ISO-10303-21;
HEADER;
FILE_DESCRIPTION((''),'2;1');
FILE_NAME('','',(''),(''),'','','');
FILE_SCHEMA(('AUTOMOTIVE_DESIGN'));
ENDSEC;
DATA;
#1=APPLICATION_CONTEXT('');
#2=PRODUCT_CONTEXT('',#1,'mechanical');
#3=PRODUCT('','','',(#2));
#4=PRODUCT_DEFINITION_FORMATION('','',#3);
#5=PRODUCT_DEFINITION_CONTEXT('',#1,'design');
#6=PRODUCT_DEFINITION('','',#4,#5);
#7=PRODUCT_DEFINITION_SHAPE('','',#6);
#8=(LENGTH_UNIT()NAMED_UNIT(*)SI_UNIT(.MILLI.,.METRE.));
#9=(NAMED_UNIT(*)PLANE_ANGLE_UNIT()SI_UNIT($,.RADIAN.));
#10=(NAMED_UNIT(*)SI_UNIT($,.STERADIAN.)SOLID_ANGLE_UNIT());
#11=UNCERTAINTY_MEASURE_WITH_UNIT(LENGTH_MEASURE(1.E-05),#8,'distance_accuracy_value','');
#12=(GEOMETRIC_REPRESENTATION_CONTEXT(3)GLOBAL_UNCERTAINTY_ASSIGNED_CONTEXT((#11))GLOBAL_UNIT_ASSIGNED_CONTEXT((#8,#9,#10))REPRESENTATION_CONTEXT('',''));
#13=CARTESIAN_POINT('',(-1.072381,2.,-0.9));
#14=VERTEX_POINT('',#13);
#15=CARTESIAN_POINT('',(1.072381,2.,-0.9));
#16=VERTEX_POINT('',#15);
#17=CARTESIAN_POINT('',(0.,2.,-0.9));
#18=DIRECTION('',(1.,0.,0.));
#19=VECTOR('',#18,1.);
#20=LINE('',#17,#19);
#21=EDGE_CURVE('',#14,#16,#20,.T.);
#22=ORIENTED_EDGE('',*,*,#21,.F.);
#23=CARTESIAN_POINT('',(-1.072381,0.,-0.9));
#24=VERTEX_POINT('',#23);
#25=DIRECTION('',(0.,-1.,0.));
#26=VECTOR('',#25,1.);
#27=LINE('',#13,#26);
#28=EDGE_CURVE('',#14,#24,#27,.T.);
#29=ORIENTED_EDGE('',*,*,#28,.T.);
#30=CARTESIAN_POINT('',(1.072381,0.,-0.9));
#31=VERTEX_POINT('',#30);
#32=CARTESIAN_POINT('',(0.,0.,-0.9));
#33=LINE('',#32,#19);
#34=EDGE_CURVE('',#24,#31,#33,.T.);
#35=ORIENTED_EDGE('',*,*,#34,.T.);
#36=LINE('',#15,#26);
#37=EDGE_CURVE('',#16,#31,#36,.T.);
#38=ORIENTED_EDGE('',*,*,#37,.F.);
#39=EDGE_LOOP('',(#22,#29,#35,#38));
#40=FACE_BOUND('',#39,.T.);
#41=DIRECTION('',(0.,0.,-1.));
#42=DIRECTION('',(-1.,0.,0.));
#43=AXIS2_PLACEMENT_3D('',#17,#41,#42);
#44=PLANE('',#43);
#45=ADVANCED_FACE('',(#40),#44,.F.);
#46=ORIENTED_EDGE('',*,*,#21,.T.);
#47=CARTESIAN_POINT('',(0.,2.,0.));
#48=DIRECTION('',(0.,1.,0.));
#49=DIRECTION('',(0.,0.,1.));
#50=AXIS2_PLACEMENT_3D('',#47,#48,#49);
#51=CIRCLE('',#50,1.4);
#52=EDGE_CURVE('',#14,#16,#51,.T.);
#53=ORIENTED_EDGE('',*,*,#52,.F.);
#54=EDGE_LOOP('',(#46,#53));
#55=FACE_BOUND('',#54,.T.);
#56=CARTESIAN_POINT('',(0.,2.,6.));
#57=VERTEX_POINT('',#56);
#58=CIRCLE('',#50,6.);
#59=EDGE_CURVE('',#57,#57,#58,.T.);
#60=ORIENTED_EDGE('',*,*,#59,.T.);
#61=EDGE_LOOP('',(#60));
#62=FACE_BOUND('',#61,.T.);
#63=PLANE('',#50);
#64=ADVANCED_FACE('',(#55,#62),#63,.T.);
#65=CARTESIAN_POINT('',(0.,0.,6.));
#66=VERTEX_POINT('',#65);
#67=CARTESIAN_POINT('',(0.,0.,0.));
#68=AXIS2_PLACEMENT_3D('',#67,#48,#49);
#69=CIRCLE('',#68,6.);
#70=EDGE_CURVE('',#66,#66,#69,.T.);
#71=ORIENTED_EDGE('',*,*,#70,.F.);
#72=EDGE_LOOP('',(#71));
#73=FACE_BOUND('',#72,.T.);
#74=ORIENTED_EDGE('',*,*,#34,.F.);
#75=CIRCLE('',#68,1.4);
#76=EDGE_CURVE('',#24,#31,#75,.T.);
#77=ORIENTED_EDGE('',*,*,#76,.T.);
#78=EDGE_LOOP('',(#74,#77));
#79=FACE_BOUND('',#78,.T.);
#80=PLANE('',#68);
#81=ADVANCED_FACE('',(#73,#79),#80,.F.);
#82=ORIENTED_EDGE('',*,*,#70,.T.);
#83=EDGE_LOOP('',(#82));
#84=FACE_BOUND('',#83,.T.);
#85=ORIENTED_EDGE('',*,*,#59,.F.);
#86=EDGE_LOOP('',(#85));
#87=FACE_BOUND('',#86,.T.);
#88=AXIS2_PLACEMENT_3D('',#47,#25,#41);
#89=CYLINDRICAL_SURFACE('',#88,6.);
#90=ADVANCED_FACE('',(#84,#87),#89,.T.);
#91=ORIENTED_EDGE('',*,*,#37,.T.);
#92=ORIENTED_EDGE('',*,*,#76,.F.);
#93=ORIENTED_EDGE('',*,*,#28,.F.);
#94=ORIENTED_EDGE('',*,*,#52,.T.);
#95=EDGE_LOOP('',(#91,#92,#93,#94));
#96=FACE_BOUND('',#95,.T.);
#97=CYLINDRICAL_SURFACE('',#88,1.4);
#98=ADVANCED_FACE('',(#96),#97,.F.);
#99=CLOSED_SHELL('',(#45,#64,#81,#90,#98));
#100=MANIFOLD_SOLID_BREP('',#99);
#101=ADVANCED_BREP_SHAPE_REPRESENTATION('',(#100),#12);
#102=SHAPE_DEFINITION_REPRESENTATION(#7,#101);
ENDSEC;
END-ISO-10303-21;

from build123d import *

# Parameters (mm, degrees)
SKETCH_1_R      = 6
EXTRUDE_1_DEPTH = 2


with BuildPart() as part:
    # Эскиз1 → Бобышка-Вытянуть1 (new body)
    with BuildSketch(Plane(origin=(0, 0, 0), x_dir=(1, 0, 0), z_dir=(0, 1, 0))):
        with Locations(Location((0, 0, 0), (0, 0, 270))):
            Circle(SKETCH_1_R)
        with BuildLine():
            Line((-1.072380529, 0.9), (1.072380529, 0.9))
            ThreePointArc((1.072380529, 0.9), (0, -1.4), (-1.072380529, 0.9))
        make_face(mode=Mode.SUBTRACT)
    extrude(amount=EXTRUDE_1_DEPTH)


solid = part.part
